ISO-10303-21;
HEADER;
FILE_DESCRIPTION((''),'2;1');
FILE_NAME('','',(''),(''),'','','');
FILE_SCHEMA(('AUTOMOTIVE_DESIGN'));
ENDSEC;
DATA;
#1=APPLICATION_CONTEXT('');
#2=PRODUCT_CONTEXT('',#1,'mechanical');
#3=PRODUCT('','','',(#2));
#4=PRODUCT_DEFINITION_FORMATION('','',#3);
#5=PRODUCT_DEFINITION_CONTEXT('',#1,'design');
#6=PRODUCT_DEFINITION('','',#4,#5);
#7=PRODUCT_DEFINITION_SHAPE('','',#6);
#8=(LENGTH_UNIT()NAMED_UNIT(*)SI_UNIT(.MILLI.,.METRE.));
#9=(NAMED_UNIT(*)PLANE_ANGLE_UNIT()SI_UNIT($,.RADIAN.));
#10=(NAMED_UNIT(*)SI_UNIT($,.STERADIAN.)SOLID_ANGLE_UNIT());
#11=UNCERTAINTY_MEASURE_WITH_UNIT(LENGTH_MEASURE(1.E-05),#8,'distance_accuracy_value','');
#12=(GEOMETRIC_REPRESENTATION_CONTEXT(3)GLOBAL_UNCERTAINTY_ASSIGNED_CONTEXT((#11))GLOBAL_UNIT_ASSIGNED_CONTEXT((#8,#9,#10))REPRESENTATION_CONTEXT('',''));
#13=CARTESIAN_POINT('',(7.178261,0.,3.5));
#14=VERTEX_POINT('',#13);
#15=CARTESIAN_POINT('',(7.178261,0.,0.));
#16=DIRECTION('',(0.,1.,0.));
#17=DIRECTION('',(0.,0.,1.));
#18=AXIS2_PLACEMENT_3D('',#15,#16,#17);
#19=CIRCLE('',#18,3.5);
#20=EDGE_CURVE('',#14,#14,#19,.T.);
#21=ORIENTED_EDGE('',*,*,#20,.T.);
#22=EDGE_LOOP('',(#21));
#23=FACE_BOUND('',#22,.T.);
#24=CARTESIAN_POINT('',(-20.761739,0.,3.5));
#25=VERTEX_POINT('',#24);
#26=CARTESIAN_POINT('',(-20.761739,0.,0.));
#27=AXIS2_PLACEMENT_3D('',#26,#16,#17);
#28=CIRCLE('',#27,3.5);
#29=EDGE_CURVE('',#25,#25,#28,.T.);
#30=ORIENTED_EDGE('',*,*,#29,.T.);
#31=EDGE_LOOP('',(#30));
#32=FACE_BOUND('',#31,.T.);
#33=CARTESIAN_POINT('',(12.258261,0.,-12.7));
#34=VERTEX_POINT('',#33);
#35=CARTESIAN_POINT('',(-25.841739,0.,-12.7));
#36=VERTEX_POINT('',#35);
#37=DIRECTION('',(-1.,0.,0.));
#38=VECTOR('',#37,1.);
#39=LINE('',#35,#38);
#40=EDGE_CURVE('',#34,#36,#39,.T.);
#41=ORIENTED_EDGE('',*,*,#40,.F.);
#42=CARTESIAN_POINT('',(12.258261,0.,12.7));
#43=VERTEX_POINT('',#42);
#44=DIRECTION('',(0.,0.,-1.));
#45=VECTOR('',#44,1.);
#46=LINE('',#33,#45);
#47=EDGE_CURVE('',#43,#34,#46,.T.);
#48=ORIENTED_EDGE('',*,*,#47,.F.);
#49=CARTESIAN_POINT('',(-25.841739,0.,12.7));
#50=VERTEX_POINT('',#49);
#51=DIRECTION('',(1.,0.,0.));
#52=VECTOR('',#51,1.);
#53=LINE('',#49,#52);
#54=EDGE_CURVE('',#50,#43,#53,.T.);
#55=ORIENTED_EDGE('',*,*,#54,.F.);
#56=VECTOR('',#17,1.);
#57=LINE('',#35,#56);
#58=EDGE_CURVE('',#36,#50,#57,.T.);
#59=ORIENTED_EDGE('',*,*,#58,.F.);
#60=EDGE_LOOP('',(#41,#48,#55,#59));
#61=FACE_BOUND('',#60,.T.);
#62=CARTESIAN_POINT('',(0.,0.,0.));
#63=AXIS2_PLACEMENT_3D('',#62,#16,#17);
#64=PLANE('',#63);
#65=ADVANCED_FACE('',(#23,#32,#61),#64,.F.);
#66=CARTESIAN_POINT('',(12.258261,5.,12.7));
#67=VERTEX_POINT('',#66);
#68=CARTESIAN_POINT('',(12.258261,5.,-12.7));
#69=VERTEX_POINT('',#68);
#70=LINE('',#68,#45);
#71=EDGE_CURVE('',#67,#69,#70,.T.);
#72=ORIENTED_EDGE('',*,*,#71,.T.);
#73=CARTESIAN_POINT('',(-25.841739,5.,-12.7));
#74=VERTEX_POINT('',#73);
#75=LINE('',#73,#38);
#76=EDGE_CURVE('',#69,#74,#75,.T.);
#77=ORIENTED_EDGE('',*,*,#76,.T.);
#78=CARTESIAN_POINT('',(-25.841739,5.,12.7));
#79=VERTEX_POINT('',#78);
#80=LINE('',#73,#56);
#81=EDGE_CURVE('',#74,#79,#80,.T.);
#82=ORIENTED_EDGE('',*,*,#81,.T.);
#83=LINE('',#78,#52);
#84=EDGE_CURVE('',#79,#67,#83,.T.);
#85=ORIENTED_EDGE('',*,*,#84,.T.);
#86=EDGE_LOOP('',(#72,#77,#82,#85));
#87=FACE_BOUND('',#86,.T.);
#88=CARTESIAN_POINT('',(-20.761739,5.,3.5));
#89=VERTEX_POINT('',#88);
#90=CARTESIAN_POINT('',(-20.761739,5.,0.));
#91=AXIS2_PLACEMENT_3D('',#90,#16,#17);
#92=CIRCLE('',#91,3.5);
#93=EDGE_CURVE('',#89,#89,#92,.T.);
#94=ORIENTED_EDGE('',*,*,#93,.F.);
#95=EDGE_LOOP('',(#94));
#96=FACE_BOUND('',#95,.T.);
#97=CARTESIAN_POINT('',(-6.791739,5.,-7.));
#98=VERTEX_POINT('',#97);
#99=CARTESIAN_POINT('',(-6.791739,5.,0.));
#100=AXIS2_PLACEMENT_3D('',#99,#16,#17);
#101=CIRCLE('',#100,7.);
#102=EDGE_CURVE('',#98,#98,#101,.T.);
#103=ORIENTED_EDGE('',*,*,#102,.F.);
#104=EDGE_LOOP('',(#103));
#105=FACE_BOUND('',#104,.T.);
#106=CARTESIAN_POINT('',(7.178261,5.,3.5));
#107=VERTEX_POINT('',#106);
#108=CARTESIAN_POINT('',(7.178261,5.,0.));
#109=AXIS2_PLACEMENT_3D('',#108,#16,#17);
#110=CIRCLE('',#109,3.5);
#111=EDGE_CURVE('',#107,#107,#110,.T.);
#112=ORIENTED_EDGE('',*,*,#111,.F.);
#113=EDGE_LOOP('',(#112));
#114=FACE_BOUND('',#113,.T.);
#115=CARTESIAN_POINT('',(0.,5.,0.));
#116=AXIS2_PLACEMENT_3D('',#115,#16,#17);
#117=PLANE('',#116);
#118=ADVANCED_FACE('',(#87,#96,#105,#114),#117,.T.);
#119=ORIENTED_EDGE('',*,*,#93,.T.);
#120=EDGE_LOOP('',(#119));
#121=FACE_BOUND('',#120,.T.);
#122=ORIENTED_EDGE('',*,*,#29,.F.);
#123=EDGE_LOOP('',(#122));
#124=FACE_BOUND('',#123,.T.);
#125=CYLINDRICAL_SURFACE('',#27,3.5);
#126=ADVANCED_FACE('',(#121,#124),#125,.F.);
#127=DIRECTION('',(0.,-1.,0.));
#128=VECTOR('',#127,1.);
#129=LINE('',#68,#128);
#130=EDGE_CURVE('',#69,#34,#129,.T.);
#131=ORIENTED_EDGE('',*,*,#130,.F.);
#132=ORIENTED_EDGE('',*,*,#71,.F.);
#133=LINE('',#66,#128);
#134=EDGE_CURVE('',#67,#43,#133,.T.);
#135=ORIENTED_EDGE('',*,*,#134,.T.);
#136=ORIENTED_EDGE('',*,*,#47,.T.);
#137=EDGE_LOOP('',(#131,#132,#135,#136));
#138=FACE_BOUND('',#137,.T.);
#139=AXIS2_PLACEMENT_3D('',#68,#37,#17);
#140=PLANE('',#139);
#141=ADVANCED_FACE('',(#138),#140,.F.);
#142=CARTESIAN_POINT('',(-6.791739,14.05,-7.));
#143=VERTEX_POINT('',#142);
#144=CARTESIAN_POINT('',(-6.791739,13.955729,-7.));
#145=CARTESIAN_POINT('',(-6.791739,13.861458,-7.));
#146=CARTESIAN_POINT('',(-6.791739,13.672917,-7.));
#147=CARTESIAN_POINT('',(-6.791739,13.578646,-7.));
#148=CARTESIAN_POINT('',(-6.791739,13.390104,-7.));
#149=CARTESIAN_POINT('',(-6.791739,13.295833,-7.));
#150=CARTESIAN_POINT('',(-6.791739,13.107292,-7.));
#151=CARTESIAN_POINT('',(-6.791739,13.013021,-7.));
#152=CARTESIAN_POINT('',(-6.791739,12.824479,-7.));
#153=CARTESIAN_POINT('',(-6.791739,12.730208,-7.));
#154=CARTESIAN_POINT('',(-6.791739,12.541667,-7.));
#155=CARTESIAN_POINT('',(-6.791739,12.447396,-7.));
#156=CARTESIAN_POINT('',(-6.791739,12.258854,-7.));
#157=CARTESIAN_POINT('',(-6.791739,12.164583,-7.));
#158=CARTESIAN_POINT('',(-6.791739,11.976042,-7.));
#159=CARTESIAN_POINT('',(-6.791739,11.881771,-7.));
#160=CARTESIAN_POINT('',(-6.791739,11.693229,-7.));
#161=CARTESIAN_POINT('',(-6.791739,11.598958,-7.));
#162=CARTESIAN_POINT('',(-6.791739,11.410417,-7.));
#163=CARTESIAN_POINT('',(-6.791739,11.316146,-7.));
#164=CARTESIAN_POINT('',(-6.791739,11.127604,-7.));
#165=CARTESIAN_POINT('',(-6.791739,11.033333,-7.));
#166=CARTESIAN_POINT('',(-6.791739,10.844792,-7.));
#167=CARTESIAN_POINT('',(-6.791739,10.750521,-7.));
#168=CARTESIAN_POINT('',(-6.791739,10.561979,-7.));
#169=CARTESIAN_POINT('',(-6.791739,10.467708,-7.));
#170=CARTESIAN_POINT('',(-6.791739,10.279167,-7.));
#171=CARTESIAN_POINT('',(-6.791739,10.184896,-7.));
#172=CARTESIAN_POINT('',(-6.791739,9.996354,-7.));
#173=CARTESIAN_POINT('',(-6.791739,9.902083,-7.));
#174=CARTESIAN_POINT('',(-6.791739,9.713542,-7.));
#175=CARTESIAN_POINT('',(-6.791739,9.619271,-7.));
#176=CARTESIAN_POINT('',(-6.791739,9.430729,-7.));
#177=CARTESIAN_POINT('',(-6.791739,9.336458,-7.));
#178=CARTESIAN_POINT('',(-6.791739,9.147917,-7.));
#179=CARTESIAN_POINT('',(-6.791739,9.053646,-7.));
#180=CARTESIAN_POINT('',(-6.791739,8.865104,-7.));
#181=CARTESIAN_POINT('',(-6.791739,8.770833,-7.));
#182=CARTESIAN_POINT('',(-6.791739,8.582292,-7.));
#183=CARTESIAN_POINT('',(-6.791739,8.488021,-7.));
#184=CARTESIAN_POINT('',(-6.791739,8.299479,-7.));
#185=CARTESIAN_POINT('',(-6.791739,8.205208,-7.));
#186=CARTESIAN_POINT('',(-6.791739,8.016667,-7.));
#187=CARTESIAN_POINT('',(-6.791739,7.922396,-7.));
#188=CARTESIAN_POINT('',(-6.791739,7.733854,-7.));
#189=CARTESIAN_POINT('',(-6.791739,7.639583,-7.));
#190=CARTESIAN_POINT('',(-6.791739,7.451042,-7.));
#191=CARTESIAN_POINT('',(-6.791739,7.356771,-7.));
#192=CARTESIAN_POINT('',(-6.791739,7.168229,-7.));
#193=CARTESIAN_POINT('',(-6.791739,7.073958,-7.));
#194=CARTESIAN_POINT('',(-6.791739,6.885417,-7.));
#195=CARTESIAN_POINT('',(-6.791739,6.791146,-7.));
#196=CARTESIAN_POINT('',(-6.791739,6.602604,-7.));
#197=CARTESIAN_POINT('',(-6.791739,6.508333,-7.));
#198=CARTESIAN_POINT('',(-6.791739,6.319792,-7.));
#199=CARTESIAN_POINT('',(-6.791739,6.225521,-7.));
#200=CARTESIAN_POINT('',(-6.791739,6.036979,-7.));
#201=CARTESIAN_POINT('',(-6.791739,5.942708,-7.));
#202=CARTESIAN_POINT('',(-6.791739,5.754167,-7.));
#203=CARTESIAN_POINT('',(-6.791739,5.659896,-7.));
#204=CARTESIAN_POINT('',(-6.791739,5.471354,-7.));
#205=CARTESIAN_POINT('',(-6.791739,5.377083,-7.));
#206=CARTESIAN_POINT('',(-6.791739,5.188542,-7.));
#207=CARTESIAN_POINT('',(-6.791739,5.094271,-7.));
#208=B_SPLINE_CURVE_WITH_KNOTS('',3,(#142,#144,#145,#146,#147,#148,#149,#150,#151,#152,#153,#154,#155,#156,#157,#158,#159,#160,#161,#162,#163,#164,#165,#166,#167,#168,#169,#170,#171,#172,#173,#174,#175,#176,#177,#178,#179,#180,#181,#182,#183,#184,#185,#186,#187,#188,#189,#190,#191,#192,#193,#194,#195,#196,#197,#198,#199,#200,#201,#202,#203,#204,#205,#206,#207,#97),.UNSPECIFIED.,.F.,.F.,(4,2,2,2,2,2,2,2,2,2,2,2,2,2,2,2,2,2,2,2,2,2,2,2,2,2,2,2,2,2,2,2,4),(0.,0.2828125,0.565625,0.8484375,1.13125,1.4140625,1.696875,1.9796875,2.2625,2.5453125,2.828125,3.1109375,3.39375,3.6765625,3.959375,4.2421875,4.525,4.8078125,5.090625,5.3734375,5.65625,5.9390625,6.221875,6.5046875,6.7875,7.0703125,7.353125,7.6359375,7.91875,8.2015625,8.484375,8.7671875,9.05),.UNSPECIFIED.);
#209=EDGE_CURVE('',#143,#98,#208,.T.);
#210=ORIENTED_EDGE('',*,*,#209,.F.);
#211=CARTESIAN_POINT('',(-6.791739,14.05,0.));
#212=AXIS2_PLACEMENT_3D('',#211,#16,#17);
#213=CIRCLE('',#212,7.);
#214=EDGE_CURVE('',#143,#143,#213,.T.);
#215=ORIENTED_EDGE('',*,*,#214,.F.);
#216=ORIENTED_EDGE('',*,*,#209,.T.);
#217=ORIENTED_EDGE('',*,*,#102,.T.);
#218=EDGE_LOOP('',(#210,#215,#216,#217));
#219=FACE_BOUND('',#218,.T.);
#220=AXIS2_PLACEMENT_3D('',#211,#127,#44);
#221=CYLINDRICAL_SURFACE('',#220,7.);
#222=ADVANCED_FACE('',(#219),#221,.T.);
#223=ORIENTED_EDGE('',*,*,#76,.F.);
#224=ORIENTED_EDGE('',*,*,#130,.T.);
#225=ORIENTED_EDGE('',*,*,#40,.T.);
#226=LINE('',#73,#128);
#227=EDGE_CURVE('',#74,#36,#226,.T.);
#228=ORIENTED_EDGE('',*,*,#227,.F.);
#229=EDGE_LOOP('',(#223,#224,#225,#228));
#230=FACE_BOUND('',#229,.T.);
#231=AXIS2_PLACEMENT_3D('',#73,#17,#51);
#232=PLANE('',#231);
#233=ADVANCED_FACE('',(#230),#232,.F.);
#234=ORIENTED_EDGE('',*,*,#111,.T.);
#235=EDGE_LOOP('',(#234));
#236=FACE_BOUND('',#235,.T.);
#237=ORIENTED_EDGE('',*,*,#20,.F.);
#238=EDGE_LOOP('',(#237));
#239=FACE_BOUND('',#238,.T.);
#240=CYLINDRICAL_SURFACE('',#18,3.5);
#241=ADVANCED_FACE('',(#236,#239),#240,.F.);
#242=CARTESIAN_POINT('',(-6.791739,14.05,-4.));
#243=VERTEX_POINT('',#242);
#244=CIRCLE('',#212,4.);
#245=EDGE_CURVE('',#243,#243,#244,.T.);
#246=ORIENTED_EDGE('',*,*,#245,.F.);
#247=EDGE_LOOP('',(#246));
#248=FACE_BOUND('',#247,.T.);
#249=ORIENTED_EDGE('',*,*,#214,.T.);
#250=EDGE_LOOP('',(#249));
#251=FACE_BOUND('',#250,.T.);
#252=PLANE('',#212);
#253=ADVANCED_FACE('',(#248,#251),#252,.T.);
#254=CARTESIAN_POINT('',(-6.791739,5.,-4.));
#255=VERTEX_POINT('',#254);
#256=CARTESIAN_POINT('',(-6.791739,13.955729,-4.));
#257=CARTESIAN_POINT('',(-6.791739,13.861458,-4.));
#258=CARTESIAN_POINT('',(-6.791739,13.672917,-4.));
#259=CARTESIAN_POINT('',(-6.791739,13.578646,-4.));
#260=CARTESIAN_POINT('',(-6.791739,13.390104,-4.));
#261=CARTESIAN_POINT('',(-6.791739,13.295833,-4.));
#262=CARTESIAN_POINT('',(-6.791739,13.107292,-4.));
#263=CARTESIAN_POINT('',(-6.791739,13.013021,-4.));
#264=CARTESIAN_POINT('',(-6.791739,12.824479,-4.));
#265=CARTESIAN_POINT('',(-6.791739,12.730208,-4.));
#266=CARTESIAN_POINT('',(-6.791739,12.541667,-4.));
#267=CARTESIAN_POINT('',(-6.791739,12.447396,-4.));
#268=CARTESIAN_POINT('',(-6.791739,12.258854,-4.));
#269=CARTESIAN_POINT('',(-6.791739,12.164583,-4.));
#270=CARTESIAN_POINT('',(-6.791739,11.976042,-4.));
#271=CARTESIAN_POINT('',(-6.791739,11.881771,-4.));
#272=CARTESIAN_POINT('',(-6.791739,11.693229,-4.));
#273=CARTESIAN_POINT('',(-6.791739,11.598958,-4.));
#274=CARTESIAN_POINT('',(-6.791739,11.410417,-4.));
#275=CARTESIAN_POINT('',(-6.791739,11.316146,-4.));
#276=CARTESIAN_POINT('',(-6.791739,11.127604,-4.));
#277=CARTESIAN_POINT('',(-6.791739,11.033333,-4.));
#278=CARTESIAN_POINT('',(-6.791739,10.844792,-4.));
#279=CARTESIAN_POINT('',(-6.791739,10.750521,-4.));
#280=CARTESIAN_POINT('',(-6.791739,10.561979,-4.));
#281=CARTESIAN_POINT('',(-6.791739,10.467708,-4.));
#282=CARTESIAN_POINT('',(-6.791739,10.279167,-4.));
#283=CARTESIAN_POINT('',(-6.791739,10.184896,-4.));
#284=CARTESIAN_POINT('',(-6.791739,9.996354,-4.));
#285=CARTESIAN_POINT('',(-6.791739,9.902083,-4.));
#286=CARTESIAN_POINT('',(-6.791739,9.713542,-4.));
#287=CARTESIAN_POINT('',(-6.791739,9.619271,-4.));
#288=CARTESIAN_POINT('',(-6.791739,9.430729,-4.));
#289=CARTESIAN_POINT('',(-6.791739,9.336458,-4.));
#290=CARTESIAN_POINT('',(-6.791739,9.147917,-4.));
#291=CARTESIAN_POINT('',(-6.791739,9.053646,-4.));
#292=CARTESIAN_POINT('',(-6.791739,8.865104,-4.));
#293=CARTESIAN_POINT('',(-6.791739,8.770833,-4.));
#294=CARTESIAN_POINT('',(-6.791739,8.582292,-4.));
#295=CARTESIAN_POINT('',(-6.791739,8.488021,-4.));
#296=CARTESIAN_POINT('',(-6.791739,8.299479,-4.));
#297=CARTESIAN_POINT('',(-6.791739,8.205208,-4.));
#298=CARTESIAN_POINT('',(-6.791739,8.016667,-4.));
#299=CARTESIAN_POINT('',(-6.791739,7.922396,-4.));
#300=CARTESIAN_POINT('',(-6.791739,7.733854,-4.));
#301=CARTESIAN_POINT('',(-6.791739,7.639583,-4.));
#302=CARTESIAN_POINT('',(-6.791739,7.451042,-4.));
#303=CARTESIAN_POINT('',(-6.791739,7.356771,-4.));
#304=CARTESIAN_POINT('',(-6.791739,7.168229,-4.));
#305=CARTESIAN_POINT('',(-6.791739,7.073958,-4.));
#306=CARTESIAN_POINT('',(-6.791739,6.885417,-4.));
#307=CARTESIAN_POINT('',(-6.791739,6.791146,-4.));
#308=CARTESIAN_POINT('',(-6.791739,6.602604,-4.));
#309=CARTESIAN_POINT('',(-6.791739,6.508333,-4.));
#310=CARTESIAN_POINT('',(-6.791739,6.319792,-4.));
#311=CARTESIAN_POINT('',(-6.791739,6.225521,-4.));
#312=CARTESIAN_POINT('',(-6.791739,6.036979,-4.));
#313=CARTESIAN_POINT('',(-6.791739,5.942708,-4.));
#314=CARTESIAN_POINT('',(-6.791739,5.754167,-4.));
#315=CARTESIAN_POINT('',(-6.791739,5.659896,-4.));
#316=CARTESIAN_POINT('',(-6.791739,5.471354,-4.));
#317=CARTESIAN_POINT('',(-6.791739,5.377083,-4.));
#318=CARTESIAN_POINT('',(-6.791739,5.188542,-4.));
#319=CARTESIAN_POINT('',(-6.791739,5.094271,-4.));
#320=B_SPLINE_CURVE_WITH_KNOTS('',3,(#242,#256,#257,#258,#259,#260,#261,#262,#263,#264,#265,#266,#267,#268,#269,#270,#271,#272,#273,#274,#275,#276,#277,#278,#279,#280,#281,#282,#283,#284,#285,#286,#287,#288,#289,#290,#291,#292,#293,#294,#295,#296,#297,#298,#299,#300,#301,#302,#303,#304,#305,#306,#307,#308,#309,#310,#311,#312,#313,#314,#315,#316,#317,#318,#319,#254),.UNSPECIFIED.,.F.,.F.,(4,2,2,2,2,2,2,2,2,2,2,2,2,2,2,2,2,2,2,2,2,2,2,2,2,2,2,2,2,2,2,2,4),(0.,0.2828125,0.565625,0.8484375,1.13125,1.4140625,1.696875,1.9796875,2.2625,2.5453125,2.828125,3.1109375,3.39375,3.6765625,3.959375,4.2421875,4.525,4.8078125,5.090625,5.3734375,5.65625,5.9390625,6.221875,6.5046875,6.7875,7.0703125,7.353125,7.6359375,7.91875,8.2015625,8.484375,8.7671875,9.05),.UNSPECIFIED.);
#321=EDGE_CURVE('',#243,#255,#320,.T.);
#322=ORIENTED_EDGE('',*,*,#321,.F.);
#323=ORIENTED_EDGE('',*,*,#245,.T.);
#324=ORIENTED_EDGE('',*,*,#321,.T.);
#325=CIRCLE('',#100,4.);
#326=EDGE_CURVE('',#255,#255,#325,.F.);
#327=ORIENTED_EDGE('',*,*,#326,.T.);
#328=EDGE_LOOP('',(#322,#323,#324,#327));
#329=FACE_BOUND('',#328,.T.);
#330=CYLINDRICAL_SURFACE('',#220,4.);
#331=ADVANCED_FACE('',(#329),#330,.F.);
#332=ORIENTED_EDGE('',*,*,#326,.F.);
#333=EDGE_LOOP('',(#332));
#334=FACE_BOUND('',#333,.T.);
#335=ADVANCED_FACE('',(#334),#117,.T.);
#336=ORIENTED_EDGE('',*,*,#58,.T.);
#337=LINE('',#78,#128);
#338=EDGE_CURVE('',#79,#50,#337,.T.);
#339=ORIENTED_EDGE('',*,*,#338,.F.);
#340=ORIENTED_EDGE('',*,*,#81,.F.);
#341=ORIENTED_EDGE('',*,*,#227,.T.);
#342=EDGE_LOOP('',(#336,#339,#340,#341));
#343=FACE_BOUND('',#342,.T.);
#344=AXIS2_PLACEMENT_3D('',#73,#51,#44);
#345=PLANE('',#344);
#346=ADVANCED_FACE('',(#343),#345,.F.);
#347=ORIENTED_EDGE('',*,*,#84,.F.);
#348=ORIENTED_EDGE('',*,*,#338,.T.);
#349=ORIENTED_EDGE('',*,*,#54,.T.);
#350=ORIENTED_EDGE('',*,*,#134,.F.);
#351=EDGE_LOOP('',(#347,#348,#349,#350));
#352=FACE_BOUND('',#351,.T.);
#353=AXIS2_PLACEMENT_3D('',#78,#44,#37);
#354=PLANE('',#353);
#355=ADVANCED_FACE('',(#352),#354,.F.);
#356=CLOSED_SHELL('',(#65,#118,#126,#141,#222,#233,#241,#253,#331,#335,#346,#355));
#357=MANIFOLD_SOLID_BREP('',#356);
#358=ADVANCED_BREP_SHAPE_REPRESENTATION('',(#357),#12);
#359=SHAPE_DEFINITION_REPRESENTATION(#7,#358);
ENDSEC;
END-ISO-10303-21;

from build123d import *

# Parameters (mm, degrees)
SKETCH1_W           = 38.1
SKETCH1_H           = 25.4
BOSS_EXTRUDE1_DEPTH = 5
SKETCH3_R           = 7
SKETCH3_R_2         = 4
BOSS_EXTRUDE2_DEPTH = 9.05
SKETCH4_R           = 3.5
CUT_EXTRUDE1_DEPTH  = 31.182577446


with BuildPart() as part:
    # Sketch1 → Boss-Extrude1 (new body)
    with BuildSketch(Plane(origin=(0, 0, 0), x_dir=(1, 0, 0), z_dir=(0, 1, 0))):
        with Locations((-6.79173913, 0)):
            Rectangle(SKETCH1_W, SKETCH1_H)
    extrude(amount=BOSS_EXTRUDE1_DEPTH)

    # Sketch3 → Boss-Extrude2 (add)
    with BuildSketch(Plane(origin=(0, 5, 0), x_dir=(1, 0, 0), z_dir=(0, 1, 0))):
        with Locations((-6.79173913, 0)):
            Circle(SKETCH3_R)
        with Locations((-6.79173913, 0)):
            Circle(SKETCH3_R_2, mode=Mode.SUBTRACT)
    extrude(amount=BOSS_EXTRUDE2_DEPTH)

    # Sketch4 → Cut-Extrude1 (cut, through all)
    with BuildSketch(Plane(origin=(0, 5, 0), x_dir=(1, 0, 0), z_dir=(0, 1, 0))):
        with Locations((7.17826087, 0)):
            Circle(SKETCH4_R)
        with Locations((-20.76173913, 0)):
            Circle(SKETCH4_R)
    extrude(amount=-CUT_EXTRUDE1_DEPTH, mode=Mode.SUBTRACT)


solid = part.part
